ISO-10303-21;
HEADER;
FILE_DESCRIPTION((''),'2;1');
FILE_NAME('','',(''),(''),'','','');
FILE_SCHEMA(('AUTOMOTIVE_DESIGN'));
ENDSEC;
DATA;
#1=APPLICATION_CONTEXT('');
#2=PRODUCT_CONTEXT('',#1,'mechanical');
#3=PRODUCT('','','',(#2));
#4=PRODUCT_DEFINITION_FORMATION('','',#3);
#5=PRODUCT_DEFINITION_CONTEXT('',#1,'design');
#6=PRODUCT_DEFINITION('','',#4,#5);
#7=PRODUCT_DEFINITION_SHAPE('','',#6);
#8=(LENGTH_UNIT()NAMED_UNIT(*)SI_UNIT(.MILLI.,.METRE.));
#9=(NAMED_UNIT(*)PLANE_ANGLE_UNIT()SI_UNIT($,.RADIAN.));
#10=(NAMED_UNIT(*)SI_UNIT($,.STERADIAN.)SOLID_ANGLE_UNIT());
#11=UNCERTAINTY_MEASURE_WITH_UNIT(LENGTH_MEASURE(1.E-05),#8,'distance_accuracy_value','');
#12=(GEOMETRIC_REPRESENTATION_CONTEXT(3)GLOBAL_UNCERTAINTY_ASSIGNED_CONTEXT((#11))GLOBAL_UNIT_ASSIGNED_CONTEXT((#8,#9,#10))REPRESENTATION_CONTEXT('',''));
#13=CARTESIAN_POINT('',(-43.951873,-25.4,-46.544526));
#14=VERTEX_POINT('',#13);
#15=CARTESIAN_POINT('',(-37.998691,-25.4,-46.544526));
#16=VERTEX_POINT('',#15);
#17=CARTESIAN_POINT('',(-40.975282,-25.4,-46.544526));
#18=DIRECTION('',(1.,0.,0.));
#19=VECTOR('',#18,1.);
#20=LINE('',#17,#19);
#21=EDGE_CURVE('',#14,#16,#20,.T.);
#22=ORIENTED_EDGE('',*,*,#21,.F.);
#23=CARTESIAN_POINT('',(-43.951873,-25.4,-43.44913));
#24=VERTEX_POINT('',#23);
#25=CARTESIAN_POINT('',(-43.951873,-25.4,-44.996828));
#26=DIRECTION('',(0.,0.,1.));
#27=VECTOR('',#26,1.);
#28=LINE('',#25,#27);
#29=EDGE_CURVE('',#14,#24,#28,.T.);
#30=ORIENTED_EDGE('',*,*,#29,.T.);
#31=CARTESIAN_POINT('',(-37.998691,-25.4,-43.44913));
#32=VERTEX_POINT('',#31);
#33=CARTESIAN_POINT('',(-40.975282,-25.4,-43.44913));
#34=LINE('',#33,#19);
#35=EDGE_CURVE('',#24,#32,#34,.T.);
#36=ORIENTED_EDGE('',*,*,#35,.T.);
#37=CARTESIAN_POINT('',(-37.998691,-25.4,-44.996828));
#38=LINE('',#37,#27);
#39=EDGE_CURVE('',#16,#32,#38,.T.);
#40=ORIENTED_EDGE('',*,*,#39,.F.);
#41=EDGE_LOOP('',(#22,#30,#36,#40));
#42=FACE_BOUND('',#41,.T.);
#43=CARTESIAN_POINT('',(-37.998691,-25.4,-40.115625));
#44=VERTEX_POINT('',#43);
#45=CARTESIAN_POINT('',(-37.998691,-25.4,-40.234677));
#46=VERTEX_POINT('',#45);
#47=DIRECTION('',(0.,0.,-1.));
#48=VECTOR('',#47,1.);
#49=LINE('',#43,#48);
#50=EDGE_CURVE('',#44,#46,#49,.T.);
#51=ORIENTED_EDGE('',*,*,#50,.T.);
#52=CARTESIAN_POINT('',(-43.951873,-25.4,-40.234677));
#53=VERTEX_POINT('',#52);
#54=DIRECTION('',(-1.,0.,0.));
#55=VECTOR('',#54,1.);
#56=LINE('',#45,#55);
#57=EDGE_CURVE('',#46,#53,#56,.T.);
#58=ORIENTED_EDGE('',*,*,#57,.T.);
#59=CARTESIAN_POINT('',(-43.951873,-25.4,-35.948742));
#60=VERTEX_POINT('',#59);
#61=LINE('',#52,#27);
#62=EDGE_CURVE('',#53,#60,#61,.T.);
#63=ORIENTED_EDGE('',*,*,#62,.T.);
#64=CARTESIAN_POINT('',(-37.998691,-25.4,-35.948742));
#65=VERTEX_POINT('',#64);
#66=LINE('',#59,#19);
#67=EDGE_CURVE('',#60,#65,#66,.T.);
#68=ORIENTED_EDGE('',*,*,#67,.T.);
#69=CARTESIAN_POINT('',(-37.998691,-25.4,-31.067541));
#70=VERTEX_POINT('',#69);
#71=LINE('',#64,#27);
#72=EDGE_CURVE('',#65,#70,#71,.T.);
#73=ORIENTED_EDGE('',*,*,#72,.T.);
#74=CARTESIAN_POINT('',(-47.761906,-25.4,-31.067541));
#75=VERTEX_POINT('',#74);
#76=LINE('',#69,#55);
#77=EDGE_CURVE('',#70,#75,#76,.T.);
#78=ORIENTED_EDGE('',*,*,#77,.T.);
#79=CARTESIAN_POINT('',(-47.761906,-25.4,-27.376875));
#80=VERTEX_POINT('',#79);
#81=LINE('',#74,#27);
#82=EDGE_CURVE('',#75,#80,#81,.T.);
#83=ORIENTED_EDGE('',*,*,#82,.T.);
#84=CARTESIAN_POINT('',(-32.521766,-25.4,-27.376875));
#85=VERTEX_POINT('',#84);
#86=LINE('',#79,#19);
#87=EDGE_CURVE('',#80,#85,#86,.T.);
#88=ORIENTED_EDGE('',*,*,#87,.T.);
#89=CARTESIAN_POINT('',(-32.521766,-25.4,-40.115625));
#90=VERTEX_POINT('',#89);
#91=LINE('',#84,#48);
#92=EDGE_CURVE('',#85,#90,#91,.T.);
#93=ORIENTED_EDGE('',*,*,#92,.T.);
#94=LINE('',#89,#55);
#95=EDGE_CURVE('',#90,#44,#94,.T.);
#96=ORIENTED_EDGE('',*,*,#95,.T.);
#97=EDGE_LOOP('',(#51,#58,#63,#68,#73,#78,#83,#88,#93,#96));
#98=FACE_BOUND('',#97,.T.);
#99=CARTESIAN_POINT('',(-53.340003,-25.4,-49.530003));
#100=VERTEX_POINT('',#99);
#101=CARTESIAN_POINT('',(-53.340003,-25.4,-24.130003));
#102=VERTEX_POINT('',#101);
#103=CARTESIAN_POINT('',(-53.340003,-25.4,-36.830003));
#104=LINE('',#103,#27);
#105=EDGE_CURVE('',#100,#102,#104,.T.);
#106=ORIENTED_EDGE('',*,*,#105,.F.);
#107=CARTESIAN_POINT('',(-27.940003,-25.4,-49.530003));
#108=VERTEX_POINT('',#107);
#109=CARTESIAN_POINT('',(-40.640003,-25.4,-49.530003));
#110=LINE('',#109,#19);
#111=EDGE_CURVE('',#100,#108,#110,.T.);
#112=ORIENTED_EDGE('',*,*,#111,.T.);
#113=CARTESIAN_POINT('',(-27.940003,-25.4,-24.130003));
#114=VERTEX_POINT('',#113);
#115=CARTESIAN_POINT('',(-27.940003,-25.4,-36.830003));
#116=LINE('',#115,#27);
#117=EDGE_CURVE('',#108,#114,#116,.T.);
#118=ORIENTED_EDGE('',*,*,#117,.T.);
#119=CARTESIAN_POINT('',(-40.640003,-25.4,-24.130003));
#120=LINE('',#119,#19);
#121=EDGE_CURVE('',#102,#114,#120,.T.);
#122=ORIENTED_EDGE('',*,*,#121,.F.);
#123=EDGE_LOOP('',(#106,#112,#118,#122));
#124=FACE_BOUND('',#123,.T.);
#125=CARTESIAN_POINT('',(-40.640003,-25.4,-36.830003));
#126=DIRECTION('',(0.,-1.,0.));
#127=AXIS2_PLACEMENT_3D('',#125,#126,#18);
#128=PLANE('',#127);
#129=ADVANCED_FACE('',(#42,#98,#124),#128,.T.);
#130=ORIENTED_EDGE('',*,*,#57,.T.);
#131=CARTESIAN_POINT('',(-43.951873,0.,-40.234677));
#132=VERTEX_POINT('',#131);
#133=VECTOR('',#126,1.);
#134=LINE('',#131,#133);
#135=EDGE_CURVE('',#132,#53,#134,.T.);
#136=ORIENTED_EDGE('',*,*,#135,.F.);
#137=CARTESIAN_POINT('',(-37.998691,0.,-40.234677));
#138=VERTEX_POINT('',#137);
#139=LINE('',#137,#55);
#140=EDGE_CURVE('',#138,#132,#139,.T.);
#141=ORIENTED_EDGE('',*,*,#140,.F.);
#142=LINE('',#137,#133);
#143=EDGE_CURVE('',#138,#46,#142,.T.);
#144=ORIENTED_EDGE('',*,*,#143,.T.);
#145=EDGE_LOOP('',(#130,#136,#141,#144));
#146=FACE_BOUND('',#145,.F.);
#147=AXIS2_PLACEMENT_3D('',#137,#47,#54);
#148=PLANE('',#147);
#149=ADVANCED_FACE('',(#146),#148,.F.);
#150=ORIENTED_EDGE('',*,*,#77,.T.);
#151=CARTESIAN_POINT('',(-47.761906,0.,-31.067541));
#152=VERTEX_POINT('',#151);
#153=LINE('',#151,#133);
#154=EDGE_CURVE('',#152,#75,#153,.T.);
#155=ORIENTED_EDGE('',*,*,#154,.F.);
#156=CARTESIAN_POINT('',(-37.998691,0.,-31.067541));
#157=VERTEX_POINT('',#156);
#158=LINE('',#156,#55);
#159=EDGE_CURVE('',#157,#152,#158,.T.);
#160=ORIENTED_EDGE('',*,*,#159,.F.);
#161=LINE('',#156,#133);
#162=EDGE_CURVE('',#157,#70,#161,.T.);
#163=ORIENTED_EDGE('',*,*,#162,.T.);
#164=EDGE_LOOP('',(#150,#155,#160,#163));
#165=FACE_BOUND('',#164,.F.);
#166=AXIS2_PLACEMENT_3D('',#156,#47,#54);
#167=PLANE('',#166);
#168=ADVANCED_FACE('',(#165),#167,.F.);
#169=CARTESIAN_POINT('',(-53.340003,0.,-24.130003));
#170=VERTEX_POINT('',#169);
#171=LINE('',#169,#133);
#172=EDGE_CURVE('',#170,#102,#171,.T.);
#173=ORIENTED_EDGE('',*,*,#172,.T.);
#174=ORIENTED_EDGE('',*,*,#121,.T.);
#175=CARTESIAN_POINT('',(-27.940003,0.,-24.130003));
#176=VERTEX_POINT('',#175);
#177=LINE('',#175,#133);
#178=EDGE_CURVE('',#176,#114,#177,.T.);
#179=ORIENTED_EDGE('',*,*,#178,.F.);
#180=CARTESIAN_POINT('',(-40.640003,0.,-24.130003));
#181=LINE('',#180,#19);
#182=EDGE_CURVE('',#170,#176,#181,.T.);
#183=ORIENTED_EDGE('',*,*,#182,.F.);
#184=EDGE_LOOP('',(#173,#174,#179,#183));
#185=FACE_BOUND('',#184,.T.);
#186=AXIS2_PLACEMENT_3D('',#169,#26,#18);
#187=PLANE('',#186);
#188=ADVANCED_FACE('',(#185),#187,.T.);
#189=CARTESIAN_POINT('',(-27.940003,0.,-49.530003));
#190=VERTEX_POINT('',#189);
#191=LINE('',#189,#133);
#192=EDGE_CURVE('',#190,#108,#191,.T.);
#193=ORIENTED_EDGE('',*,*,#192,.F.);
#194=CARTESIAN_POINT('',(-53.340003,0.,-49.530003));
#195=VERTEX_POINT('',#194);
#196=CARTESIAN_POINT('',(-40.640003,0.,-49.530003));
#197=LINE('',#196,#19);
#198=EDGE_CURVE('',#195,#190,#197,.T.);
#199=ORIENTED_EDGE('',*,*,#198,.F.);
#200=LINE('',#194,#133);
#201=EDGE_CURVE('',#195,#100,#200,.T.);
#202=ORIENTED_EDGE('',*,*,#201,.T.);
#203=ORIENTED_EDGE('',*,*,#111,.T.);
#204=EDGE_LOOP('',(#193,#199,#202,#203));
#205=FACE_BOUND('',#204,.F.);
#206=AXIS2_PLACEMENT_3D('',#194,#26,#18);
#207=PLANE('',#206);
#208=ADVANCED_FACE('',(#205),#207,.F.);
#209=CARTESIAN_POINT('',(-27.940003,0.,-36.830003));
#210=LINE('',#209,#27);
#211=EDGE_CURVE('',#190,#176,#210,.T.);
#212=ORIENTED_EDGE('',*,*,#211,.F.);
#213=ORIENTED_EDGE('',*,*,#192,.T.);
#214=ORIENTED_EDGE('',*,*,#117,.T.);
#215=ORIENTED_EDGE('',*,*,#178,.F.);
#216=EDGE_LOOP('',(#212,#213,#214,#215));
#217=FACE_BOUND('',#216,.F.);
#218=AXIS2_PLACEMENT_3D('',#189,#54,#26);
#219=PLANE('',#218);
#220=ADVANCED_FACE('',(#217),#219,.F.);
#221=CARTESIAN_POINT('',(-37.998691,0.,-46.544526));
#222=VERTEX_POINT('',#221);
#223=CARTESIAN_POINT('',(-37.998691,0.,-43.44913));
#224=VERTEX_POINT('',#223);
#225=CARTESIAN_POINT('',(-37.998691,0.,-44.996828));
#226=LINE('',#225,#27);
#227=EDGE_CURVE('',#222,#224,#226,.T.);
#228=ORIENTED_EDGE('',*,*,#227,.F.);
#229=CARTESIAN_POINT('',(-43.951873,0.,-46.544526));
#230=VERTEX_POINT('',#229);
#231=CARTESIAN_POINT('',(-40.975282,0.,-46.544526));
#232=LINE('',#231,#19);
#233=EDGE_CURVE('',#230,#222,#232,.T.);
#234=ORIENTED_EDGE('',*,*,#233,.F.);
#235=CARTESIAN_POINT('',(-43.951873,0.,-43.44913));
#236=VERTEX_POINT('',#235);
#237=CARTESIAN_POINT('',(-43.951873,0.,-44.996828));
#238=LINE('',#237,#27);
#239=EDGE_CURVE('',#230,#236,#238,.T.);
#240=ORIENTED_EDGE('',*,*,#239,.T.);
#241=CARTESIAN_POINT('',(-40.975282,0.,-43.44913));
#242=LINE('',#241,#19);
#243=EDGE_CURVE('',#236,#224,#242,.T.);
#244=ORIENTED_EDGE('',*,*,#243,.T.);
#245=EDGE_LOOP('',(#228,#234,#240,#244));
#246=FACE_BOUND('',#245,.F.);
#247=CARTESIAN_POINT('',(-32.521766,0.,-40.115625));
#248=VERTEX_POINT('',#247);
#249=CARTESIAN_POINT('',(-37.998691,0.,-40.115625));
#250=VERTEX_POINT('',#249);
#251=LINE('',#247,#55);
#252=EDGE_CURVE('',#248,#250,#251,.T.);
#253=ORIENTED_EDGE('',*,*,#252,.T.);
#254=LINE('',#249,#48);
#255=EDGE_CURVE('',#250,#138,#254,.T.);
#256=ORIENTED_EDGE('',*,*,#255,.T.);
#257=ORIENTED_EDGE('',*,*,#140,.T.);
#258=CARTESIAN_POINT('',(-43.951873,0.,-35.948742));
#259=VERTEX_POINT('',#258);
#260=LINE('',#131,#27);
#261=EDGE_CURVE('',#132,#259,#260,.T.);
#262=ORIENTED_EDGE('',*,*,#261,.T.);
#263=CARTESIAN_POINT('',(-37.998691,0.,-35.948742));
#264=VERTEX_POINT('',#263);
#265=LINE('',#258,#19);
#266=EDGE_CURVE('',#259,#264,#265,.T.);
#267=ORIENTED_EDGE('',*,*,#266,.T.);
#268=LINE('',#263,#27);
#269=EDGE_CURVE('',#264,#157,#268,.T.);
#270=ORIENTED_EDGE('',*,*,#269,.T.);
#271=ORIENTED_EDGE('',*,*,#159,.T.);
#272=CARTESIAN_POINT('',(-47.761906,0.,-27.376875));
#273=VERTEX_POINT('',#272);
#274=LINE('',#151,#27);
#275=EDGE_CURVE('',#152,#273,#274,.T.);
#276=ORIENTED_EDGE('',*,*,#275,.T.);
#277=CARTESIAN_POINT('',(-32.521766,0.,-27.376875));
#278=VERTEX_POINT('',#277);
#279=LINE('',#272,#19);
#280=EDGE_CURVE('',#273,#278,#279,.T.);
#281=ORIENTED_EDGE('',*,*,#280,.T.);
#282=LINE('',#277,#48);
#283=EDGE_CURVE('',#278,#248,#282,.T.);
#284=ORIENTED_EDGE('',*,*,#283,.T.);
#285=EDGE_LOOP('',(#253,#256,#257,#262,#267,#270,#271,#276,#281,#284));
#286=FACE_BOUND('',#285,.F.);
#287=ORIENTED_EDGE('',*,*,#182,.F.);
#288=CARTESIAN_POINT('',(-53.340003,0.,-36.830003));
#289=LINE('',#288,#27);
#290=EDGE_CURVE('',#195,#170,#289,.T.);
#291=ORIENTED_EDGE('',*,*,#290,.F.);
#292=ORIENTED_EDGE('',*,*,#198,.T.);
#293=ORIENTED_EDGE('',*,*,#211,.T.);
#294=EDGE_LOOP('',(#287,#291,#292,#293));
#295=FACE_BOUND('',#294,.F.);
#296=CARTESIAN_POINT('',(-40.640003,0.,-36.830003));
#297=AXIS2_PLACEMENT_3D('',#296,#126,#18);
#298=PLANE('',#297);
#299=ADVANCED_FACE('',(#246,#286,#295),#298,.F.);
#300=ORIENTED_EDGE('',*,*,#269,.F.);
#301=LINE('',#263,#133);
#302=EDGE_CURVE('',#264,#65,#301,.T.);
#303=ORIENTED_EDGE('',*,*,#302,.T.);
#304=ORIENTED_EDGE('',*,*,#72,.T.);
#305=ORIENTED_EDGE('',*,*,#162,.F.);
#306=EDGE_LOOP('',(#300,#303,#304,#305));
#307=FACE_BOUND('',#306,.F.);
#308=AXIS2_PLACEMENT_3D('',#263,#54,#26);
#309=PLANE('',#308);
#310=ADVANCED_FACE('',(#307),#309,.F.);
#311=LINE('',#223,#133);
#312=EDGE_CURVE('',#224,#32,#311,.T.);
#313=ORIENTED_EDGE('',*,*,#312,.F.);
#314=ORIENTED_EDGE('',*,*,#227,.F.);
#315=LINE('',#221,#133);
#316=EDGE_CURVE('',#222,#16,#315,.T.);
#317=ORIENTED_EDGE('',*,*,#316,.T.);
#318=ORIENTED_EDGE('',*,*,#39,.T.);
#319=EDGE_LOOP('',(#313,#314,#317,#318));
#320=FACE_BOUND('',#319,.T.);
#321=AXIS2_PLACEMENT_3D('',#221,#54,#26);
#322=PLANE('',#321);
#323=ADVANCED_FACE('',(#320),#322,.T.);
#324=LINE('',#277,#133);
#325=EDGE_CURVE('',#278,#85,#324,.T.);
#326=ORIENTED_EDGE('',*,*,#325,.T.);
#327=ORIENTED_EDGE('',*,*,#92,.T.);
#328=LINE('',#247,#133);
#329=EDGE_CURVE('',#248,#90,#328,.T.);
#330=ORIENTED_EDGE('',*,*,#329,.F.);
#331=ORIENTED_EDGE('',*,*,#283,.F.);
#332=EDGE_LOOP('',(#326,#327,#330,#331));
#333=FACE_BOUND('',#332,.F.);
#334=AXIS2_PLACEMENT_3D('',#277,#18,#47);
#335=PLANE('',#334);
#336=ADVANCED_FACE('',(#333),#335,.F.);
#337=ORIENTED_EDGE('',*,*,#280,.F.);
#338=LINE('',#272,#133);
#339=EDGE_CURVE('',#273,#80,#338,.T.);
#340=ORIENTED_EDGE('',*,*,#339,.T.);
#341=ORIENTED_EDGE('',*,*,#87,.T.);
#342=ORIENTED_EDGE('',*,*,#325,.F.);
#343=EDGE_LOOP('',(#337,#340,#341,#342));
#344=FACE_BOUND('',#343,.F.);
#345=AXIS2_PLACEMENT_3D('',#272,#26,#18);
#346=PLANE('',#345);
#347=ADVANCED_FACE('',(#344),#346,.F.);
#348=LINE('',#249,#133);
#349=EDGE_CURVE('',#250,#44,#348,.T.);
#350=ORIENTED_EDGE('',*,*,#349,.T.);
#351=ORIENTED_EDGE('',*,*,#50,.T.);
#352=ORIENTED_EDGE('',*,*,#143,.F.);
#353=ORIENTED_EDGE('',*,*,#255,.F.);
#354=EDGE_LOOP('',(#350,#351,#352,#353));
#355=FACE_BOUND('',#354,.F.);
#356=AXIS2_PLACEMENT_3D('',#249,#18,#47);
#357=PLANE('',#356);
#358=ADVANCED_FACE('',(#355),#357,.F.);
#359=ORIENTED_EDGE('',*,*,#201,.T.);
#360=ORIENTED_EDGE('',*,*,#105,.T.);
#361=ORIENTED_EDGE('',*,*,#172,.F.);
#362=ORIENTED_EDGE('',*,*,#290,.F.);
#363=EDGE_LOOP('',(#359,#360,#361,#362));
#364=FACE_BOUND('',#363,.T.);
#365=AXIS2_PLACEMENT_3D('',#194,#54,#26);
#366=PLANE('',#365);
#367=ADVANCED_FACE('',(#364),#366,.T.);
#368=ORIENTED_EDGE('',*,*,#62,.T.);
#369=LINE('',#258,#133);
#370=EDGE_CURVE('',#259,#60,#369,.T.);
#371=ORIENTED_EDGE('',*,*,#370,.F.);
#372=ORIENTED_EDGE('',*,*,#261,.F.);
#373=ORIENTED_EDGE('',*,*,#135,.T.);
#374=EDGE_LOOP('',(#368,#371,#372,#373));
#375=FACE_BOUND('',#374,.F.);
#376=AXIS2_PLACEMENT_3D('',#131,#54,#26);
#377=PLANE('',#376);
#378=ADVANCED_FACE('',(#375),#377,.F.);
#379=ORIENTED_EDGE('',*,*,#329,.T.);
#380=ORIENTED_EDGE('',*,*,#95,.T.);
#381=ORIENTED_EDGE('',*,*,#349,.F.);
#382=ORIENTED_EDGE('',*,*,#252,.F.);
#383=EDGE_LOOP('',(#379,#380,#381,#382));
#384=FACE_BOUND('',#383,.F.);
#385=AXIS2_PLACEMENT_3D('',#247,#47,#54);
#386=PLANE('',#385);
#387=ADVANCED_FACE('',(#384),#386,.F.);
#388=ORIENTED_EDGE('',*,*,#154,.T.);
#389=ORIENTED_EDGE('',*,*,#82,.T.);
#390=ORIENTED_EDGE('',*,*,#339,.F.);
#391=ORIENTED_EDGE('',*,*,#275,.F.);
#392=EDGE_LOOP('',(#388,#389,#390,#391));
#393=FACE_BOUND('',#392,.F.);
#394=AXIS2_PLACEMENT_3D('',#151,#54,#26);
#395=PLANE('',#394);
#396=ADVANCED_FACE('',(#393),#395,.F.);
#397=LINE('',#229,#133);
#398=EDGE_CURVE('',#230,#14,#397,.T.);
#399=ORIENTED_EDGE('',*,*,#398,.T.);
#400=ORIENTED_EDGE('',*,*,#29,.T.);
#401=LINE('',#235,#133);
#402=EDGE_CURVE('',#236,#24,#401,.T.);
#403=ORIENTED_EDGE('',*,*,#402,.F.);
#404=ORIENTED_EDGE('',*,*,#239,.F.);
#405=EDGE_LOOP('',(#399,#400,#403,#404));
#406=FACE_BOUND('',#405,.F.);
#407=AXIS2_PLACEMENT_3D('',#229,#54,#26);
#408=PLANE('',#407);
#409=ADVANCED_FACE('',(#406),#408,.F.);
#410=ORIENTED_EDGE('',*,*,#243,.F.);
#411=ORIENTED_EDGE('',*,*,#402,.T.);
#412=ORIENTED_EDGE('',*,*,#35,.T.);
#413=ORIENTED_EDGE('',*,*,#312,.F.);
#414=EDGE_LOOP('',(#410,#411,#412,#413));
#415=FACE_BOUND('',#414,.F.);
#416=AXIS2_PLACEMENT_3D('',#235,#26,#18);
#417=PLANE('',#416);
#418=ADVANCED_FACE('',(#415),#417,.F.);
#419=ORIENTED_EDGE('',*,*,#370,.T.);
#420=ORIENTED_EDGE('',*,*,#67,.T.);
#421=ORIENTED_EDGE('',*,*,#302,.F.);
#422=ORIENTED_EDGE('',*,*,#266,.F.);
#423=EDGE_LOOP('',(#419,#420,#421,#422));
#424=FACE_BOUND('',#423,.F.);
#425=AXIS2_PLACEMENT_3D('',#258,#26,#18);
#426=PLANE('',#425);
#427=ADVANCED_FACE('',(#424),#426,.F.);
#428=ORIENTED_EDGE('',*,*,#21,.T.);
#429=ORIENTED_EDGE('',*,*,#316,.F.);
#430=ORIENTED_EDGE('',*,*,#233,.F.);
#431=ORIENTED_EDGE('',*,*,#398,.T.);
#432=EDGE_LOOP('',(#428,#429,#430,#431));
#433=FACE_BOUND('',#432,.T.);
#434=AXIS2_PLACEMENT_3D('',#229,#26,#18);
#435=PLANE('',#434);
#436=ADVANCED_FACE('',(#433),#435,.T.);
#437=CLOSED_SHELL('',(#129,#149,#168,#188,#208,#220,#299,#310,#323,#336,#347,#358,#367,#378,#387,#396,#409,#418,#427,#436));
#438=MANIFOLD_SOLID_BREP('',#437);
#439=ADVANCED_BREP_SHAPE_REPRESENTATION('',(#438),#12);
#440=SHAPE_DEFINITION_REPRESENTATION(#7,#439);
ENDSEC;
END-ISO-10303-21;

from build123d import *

# Parameters (mm, degrees)
F0_W     = 25.4
F0_H     = 25.4
F0_W_2   = 5.953182
F0_H_2   = 3.095396
F1_DEPTH = 25.4


with BuildPart() as f1:
    # F0 (on Front) → F1 (new body)
    with BuildSketch(Plane.XZ):
        with Locations((-40.640003, -36.830003)):
            Rectangle(F0_W, F0_H)
        with Locations((-40.975282, -44.996828)):
            Rectangle(F0_W_2, F0_H_2, mode=Mode.SUBTRACT)
        Polygon((-37.998691, -40.234677), (-43.951873, -40.234677), (-43.951873, -35.948742), (-37.998691, -35.948742), (-37.998691, -31.067541), (-43.951873, -31.067541), (-47.761906, -31.067541), (-47.761906, -27.376875), (-43.951873, -27.376875), (-37.998691, -27.376875), (-32.521766, -27.376875), (-32.521766, -31.067541), (-32.521766, -35.948742), (-32.521766, -40.115625), (-37.998691, -40.115625), align=None, mode=Mode.SUBTRACT)
    extrude(amount=F1_DEPTH)


solid = f1.part
